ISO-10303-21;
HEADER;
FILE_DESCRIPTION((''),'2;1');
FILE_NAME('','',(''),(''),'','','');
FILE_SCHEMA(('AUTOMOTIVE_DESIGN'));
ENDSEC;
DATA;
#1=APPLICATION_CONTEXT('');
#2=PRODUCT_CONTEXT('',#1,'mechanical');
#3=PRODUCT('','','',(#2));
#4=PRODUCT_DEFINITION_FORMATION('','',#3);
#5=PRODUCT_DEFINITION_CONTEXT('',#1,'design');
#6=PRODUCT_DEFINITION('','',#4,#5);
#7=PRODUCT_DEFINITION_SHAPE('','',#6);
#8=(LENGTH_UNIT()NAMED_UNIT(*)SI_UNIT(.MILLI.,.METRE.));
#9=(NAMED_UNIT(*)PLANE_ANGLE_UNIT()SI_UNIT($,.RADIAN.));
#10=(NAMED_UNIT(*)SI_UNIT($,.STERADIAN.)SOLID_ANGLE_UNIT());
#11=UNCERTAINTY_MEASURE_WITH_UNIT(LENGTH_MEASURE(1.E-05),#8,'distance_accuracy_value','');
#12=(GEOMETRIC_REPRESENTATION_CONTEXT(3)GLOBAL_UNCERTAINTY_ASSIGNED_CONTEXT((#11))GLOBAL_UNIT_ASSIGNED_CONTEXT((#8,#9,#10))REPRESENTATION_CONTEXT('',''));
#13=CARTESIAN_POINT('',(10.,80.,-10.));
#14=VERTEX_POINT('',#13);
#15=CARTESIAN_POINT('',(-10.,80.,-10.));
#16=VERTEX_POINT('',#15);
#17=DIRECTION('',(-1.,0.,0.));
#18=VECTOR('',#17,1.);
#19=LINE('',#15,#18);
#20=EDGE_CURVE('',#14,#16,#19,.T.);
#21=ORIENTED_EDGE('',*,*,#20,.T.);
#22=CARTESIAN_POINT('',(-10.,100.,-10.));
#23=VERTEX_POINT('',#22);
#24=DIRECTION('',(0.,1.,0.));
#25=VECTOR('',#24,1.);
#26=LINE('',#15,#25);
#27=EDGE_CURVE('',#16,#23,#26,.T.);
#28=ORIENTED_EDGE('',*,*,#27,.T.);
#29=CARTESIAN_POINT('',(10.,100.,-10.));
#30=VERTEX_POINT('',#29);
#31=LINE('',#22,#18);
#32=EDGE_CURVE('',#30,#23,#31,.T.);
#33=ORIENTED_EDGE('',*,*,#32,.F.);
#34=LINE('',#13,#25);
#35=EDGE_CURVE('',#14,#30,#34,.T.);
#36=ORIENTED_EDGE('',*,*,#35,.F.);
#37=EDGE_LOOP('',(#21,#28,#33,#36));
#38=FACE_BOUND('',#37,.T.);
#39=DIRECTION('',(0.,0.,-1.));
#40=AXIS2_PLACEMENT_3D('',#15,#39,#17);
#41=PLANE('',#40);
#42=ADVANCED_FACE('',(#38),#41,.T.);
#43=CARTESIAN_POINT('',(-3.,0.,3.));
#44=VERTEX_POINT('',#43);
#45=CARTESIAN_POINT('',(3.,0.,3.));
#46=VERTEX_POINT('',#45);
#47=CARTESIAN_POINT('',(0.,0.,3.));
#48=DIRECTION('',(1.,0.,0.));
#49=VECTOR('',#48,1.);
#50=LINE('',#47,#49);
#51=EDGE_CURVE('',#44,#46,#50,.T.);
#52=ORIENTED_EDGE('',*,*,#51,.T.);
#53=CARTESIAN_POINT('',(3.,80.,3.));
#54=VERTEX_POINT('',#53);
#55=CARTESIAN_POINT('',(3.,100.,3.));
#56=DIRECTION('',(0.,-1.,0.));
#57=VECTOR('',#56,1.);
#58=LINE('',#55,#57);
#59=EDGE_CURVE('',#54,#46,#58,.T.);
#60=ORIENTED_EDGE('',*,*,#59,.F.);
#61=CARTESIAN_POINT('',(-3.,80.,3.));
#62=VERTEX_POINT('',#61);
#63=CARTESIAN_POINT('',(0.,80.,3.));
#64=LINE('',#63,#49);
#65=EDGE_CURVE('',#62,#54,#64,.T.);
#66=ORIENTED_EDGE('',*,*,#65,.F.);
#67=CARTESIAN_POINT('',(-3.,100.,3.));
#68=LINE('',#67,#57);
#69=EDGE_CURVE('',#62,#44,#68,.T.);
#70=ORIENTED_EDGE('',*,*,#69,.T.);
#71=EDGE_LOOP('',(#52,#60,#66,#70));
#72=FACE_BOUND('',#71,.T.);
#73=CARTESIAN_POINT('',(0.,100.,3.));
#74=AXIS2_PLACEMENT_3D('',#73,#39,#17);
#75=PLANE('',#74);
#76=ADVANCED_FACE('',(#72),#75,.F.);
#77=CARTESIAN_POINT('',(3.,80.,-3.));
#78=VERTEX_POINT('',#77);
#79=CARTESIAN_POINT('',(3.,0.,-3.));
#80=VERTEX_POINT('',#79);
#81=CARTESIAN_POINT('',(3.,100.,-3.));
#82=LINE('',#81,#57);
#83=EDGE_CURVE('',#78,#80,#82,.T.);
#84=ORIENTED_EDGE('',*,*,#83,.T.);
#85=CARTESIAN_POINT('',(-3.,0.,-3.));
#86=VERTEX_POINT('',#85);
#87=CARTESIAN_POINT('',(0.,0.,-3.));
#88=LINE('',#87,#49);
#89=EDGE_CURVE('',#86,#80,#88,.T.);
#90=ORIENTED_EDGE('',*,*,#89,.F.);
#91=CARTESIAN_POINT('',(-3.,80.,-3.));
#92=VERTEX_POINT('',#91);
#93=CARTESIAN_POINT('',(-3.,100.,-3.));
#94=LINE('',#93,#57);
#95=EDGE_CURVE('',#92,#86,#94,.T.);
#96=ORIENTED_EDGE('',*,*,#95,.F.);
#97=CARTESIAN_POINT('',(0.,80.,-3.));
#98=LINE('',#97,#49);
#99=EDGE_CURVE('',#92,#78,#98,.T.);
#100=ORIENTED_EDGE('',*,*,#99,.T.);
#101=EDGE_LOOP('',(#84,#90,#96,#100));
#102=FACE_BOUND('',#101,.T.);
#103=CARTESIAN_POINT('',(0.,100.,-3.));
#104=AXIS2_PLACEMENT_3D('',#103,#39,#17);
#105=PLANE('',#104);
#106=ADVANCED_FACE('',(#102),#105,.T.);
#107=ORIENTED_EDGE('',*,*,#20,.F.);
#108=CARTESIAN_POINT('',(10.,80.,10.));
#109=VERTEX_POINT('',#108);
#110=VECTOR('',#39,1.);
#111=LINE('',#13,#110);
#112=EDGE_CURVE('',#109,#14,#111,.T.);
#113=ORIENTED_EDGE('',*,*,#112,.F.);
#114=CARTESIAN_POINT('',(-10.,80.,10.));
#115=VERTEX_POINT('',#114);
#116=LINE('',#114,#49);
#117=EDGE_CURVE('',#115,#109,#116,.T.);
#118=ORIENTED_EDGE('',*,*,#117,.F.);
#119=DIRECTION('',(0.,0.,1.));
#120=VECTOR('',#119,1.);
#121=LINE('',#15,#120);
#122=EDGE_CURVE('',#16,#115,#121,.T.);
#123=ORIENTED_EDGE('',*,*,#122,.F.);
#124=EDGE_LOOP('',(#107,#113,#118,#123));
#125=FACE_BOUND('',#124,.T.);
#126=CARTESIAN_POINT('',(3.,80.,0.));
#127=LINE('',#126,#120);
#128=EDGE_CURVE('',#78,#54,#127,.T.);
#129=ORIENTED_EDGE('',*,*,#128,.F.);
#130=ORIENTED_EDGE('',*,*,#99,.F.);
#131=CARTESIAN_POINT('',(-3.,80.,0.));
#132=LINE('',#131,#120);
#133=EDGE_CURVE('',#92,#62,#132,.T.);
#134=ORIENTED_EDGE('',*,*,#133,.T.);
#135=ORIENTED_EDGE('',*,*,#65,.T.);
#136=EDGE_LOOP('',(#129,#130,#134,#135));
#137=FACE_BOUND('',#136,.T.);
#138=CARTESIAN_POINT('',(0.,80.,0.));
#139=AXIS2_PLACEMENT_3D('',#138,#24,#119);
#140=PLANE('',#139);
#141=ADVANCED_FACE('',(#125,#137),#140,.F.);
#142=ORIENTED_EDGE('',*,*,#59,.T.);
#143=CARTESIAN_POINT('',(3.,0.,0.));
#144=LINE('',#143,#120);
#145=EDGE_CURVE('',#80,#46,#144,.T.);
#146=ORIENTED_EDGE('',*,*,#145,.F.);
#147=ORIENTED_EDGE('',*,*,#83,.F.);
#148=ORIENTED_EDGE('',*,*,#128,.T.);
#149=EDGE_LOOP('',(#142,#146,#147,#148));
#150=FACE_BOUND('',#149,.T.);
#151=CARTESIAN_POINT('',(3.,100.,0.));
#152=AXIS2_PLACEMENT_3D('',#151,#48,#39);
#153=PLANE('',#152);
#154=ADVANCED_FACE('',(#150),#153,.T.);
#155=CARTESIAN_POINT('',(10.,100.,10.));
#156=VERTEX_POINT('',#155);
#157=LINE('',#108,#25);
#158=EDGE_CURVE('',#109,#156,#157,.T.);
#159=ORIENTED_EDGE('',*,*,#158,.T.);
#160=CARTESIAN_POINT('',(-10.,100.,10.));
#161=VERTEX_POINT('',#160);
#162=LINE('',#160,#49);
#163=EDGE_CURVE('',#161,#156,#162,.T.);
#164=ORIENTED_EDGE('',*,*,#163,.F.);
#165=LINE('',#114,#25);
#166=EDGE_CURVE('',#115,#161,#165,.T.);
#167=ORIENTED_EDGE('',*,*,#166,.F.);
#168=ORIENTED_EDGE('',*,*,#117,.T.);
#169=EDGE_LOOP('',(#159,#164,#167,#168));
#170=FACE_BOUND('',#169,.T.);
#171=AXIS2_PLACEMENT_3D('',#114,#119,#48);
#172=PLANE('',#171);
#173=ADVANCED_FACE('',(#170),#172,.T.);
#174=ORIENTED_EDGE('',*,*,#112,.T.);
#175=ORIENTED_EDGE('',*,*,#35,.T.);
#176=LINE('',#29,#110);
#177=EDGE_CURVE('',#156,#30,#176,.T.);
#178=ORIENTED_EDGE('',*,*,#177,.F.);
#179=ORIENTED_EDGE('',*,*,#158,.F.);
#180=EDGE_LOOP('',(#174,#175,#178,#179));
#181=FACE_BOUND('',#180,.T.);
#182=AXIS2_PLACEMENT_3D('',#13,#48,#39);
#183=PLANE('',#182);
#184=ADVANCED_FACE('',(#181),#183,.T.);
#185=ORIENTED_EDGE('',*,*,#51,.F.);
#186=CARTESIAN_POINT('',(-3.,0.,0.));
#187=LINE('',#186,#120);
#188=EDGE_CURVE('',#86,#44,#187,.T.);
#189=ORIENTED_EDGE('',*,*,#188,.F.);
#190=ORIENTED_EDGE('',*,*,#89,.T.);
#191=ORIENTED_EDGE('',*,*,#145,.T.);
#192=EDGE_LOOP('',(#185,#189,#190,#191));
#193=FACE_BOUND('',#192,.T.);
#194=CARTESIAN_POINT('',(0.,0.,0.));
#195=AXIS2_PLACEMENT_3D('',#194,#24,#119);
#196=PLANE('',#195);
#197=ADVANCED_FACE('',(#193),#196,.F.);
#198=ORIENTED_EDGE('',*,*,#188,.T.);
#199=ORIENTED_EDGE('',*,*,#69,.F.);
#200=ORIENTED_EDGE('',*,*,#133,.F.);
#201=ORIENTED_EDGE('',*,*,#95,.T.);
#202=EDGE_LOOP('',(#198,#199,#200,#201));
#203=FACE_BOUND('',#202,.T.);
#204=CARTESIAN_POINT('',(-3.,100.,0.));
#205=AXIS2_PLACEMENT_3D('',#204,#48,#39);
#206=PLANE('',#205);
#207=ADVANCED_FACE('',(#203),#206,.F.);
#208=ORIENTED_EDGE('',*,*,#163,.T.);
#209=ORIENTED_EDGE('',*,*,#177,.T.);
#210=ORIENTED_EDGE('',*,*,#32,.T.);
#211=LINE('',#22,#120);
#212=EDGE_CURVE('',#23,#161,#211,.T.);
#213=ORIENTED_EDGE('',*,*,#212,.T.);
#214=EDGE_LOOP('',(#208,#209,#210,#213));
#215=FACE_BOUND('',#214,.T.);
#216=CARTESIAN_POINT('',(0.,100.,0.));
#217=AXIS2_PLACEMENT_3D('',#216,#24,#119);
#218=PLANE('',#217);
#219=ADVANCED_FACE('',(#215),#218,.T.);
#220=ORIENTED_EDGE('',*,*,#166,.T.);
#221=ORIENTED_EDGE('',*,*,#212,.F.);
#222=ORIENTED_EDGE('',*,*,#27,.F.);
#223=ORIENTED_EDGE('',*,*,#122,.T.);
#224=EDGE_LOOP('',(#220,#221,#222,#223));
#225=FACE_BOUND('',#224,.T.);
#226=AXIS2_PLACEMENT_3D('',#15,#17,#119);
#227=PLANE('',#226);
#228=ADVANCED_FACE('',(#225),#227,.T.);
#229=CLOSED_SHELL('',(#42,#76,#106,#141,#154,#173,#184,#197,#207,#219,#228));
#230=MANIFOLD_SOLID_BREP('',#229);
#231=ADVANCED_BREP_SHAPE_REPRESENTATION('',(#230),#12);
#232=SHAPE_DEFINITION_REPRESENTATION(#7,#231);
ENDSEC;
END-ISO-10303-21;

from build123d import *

# Parameters (mm, degrees)
SKETCH1_W           = 6
SKETCH1_H           = 6
BOSS_EXTRUDE1_DEPTH = 100
SKETCH2_W           = 20
SKETCH2_H           = 20
BOSS_EXTRUDE2_DEPTH = 20


with BuildPart() as part:
    # Sketch1 → Boss-Extrude1 (new body)
    with BuildSketch(Plane(origin=(0, 0, 0), x_dir=(1, 0, 0), z_dir=(0, 1, 0))):
        Rectangle(SKETCH1_W, SKETCH1_H)
    extrude(amount=BOSS_EXTRUDE1_DEPTH)

    # Sketch2 → Boss-Extrude2 (add)
    with BuildSketch(Plane(origin=(0, 100, 0), x_dir=(1, 0, 0), z_dir=(0, 1, 0))):
        Rectangle(SKETCH2_W, SKETCH2_H)
    extrude(amount=-BOSS_EXTRUDE2_DEPTH)


solid = part.part
